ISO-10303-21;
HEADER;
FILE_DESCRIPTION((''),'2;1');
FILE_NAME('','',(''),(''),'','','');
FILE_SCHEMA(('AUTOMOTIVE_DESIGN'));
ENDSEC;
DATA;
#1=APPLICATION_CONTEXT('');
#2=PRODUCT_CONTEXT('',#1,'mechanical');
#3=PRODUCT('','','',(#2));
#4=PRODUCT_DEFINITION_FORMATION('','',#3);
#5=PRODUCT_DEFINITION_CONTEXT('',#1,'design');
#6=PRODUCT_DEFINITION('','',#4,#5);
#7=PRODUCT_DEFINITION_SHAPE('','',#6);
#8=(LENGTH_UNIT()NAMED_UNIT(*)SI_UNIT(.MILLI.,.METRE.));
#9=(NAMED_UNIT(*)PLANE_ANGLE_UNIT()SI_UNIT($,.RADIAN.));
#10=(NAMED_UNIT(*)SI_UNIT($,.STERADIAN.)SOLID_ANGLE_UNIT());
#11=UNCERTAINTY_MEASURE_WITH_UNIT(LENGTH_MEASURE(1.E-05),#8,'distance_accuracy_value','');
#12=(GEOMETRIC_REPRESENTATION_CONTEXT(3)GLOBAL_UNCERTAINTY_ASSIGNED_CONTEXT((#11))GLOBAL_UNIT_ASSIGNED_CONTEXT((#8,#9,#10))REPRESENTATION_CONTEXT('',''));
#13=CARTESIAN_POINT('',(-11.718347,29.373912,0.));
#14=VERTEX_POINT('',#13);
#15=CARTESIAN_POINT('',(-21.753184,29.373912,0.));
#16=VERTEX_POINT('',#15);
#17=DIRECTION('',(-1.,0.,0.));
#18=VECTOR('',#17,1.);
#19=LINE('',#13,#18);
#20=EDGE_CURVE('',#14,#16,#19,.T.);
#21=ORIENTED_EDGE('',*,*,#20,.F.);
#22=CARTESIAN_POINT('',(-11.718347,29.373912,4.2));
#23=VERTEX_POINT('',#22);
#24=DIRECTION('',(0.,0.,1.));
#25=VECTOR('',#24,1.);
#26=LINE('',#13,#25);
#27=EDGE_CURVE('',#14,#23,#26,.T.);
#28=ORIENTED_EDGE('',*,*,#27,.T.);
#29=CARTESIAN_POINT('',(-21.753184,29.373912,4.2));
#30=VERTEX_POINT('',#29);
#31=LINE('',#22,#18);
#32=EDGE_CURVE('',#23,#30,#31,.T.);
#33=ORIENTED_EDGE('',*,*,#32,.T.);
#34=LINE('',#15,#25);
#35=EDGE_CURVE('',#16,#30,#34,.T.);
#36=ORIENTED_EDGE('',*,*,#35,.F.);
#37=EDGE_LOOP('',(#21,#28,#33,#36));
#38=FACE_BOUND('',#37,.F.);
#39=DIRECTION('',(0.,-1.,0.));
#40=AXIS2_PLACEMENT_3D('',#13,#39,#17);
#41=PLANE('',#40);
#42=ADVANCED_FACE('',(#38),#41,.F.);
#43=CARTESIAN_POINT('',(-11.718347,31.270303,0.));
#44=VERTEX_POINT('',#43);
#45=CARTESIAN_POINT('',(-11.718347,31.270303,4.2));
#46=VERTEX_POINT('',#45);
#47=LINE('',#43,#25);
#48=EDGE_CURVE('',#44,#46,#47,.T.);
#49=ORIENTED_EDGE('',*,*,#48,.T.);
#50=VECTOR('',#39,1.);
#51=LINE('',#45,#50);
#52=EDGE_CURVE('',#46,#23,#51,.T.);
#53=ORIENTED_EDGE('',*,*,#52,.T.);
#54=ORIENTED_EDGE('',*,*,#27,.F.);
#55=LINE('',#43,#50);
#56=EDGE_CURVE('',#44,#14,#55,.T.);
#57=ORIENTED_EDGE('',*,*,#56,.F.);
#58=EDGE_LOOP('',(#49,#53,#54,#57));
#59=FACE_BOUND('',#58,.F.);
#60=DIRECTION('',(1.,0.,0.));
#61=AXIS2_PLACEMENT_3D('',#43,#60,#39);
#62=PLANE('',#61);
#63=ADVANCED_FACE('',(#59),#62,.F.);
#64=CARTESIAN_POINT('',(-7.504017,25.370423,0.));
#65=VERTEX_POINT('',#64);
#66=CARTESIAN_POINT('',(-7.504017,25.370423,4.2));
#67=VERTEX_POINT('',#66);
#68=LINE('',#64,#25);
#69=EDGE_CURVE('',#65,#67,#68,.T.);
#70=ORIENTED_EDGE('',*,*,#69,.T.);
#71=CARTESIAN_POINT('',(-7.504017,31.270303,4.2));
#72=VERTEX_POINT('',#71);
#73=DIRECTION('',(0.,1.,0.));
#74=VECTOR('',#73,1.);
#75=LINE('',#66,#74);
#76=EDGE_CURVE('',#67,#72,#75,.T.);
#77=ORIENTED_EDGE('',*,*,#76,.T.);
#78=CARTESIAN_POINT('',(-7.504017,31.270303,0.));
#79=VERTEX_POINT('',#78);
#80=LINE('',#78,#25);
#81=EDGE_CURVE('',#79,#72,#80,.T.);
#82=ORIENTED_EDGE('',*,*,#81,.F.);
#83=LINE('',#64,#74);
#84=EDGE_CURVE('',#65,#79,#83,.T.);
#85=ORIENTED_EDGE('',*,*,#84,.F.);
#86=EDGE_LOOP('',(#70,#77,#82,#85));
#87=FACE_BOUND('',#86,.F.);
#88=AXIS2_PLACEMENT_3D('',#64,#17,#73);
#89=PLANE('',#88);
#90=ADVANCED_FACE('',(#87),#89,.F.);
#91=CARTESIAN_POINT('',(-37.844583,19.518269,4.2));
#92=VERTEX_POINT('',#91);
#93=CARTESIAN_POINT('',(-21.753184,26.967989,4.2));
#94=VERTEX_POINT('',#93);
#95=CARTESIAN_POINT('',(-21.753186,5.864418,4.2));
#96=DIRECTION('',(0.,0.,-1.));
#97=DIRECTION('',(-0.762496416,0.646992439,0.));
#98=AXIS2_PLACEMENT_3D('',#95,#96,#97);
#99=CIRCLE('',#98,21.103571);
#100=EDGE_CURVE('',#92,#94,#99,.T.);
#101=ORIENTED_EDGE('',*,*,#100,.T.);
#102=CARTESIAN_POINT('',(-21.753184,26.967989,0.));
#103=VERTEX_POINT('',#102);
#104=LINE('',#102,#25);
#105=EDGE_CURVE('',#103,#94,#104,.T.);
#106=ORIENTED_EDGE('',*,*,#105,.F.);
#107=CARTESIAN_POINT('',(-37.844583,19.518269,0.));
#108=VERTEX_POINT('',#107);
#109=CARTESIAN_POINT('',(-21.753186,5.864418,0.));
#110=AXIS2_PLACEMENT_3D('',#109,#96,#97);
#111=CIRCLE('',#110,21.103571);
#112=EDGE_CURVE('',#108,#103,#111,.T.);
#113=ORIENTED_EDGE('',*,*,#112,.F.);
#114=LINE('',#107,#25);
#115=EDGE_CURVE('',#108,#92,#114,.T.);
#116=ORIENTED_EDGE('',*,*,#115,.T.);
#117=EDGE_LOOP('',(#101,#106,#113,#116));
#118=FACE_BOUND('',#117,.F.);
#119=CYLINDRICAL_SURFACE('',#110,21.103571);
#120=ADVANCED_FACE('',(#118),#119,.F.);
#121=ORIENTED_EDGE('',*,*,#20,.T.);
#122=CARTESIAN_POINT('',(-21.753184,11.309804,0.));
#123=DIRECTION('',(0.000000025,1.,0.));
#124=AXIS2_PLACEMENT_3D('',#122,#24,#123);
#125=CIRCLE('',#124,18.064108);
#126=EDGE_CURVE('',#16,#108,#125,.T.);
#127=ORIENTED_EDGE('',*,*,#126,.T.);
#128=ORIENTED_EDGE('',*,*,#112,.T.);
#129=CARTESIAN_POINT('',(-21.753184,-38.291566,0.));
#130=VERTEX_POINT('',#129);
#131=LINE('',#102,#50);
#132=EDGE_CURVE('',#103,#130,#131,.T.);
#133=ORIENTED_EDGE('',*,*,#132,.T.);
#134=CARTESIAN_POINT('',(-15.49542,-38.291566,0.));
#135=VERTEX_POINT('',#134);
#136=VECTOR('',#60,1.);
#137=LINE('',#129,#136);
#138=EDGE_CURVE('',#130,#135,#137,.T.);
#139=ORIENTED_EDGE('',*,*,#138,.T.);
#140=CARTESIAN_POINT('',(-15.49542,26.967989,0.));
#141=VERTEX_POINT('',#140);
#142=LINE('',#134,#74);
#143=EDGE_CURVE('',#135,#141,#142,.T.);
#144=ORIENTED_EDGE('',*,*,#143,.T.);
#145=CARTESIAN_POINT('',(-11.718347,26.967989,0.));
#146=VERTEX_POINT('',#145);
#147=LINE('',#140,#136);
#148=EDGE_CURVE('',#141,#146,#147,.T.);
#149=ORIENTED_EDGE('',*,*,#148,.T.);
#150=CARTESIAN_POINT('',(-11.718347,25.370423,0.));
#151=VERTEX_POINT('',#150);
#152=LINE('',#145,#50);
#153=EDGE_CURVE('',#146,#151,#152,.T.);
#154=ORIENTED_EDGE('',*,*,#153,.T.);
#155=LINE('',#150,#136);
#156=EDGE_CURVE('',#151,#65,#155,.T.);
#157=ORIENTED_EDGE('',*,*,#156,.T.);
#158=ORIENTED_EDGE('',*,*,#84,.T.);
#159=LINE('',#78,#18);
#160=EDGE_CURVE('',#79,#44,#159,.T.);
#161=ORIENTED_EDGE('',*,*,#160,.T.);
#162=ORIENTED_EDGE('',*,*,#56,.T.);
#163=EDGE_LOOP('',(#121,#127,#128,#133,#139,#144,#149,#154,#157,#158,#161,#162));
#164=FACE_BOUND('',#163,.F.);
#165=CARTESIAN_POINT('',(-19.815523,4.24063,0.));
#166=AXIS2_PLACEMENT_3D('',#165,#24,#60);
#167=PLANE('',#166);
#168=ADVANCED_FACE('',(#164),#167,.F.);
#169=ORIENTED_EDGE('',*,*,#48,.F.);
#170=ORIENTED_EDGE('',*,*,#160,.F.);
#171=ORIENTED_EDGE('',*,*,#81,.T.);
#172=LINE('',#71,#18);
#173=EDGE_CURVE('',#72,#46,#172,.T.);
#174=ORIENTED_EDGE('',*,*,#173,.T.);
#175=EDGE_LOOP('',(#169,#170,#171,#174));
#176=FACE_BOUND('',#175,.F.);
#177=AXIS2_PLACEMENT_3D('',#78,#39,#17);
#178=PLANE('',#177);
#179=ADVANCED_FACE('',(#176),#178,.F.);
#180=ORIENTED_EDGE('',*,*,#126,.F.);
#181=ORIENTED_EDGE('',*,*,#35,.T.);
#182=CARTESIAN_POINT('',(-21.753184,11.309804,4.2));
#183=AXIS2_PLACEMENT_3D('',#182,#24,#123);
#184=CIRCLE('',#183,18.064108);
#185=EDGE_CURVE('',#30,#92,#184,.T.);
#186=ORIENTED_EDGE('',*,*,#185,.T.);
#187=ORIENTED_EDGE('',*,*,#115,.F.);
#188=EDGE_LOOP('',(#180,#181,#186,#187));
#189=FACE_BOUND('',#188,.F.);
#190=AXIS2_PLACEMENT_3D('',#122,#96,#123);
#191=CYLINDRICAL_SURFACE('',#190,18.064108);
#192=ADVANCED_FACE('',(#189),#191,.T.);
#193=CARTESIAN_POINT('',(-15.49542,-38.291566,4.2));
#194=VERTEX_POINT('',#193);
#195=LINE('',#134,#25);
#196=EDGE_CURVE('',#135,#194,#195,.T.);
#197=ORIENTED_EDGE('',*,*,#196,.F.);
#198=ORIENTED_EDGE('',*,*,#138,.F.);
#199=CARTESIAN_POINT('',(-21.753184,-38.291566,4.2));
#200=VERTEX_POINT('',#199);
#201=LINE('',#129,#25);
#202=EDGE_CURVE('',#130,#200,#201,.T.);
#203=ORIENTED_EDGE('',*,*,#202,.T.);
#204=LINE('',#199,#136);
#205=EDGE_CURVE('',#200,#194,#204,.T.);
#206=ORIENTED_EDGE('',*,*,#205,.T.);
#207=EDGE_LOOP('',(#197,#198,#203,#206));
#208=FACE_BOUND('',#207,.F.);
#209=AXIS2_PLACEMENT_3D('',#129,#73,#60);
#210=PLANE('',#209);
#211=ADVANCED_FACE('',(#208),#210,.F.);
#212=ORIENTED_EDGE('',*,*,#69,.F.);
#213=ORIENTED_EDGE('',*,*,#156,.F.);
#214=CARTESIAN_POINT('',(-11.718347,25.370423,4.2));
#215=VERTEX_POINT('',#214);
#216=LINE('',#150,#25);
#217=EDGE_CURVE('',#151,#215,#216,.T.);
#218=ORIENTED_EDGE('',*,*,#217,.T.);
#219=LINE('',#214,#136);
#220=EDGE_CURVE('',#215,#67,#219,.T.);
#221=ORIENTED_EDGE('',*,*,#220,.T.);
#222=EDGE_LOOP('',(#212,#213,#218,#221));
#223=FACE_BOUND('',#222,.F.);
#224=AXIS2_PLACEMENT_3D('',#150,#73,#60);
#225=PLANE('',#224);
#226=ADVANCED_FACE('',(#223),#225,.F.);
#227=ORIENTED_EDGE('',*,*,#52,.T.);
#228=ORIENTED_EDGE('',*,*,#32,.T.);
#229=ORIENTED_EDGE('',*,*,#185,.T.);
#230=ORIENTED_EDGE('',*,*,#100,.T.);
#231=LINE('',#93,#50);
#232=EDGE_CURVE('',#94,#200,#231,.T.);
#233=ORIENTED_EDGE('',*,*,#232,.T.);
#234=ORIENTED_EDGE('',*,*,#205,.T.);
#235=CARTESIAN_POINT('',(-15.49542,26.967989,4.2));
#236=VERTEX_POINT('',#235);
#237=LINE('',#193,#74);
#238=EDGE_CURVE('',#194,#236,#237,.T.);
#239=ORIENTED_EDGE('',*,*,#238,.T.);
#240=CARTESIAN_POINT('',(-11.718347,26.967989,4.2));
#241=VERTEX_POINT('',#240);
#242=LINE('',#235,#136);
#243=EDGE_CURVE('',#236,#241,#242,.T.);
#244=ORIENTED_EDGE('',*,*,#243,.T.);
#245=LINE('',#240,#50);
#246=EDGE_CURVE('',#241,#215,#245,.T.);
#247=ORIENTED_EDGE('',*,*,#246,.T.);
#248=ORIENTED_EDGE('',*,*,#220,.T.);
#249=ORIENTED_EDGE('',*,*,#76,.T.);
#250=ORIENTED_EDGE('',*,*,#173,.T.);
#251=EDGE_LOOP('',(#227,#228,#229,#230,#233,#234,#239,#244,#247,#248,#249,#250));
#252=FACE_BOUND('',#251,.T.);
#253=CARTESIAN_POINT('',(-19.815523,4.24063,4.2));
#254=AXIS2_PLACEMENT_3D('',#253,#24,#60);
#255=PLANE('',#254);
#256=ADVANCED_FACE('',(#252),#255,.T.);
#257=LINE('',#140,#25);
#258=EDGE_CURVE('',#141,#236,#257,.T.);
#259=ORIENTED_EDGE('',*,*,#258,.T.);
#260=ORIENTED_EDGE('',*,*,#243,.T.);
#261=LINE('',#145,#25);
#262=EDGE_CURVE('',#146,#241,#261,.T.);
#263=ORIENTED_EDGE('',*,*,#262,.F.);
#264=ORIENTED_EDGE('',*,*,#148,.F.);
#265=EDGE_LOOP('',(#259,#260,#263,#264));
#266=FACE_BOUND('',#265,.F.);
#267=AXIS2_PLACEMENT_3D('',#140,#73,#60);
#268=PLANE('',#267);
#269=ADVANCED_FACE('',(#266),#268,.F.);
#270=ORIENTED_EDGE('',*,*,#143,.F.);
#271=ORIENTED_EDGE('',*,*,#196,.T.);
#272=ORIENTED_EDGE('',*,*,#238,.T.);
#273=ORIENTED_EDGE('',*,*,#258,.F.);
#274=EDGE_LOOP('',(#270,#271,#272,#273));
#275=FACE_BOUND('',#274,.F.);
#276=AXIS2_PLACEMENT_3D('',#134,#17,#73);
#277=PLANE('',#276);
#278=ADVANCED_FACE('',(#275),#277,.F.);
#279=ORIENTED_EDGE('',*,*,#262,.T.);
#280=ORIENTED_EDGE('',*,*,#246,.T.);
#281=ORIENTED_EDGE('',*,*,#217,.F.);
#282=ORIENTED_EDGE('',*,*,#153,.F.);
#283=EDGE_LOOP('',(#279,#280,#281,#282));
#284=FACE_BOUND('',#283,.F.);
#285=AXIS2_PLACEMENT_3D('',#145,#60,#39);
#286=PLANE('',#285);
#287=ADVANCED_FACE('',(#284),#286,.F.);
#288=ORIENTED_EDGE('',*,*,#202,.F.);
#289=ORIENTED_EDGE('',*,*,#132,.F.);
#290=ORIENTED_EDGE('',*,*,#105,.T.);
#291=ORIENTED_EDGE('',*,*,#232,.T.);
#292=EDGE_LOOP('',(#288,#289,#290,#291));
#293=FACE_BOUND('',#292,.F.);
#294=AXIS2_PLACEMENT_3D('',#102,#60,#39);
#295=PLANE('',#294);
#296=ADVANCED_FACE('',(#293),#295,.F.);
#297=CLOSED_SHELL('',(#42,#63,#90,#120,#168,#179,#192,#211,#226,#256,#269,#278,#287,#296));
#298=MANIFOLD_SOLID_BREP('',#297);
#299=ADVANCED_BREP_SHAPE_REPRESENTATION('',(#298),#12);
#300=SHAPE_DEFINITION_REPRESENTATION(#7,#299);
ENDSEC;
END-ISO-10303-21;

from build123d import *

# Parameters (mm, degrees)
F1_DEPTH = 4.2


with BuildPart() as f1:
    # F0 (on Top) → F1 (new body)
    with BuildSketch(Plane.XY):
        with BuildLine():
            Line((-21.753184, 26.967989), (-21.753184, -38.291566))
            Line((-21.753184, -38.291566), (-15.49542, -38.291566))
            Line((-15.49542, -38.291566), (-15.49542, 26.967989))
            Line((-15.49542, 26.967989), (-11.718347, 26.967989))
            Line((-11.718347, 26.967989), (-11.718347, 25.370423))
            Line((-11.718347, 25.370423), (-7.504017, 25.370423))
            Line((-7.504017, 25.370423), (-7.504017, 31.270303))
            Line((-7.504017, 31.270303), (-11.718347, 31.270303))
            Line((-11.718347, 31.270303), (-11.718347, 29.373912))
            Line((-11.718347, 29.373912), (-21.753184, 29.373912))
            ThreePointArc((-21.753184, 29.373912), (-31.188051, 26.714196), (-37.844583, 19.518269))
            ThreePointArc((-37.844583, 19.518269), (-30.619292, 25.015211), (-21.753184, 26.967989))
        make_face()
    extrude(amount=F1_DEPTH)


solid = f1.part
